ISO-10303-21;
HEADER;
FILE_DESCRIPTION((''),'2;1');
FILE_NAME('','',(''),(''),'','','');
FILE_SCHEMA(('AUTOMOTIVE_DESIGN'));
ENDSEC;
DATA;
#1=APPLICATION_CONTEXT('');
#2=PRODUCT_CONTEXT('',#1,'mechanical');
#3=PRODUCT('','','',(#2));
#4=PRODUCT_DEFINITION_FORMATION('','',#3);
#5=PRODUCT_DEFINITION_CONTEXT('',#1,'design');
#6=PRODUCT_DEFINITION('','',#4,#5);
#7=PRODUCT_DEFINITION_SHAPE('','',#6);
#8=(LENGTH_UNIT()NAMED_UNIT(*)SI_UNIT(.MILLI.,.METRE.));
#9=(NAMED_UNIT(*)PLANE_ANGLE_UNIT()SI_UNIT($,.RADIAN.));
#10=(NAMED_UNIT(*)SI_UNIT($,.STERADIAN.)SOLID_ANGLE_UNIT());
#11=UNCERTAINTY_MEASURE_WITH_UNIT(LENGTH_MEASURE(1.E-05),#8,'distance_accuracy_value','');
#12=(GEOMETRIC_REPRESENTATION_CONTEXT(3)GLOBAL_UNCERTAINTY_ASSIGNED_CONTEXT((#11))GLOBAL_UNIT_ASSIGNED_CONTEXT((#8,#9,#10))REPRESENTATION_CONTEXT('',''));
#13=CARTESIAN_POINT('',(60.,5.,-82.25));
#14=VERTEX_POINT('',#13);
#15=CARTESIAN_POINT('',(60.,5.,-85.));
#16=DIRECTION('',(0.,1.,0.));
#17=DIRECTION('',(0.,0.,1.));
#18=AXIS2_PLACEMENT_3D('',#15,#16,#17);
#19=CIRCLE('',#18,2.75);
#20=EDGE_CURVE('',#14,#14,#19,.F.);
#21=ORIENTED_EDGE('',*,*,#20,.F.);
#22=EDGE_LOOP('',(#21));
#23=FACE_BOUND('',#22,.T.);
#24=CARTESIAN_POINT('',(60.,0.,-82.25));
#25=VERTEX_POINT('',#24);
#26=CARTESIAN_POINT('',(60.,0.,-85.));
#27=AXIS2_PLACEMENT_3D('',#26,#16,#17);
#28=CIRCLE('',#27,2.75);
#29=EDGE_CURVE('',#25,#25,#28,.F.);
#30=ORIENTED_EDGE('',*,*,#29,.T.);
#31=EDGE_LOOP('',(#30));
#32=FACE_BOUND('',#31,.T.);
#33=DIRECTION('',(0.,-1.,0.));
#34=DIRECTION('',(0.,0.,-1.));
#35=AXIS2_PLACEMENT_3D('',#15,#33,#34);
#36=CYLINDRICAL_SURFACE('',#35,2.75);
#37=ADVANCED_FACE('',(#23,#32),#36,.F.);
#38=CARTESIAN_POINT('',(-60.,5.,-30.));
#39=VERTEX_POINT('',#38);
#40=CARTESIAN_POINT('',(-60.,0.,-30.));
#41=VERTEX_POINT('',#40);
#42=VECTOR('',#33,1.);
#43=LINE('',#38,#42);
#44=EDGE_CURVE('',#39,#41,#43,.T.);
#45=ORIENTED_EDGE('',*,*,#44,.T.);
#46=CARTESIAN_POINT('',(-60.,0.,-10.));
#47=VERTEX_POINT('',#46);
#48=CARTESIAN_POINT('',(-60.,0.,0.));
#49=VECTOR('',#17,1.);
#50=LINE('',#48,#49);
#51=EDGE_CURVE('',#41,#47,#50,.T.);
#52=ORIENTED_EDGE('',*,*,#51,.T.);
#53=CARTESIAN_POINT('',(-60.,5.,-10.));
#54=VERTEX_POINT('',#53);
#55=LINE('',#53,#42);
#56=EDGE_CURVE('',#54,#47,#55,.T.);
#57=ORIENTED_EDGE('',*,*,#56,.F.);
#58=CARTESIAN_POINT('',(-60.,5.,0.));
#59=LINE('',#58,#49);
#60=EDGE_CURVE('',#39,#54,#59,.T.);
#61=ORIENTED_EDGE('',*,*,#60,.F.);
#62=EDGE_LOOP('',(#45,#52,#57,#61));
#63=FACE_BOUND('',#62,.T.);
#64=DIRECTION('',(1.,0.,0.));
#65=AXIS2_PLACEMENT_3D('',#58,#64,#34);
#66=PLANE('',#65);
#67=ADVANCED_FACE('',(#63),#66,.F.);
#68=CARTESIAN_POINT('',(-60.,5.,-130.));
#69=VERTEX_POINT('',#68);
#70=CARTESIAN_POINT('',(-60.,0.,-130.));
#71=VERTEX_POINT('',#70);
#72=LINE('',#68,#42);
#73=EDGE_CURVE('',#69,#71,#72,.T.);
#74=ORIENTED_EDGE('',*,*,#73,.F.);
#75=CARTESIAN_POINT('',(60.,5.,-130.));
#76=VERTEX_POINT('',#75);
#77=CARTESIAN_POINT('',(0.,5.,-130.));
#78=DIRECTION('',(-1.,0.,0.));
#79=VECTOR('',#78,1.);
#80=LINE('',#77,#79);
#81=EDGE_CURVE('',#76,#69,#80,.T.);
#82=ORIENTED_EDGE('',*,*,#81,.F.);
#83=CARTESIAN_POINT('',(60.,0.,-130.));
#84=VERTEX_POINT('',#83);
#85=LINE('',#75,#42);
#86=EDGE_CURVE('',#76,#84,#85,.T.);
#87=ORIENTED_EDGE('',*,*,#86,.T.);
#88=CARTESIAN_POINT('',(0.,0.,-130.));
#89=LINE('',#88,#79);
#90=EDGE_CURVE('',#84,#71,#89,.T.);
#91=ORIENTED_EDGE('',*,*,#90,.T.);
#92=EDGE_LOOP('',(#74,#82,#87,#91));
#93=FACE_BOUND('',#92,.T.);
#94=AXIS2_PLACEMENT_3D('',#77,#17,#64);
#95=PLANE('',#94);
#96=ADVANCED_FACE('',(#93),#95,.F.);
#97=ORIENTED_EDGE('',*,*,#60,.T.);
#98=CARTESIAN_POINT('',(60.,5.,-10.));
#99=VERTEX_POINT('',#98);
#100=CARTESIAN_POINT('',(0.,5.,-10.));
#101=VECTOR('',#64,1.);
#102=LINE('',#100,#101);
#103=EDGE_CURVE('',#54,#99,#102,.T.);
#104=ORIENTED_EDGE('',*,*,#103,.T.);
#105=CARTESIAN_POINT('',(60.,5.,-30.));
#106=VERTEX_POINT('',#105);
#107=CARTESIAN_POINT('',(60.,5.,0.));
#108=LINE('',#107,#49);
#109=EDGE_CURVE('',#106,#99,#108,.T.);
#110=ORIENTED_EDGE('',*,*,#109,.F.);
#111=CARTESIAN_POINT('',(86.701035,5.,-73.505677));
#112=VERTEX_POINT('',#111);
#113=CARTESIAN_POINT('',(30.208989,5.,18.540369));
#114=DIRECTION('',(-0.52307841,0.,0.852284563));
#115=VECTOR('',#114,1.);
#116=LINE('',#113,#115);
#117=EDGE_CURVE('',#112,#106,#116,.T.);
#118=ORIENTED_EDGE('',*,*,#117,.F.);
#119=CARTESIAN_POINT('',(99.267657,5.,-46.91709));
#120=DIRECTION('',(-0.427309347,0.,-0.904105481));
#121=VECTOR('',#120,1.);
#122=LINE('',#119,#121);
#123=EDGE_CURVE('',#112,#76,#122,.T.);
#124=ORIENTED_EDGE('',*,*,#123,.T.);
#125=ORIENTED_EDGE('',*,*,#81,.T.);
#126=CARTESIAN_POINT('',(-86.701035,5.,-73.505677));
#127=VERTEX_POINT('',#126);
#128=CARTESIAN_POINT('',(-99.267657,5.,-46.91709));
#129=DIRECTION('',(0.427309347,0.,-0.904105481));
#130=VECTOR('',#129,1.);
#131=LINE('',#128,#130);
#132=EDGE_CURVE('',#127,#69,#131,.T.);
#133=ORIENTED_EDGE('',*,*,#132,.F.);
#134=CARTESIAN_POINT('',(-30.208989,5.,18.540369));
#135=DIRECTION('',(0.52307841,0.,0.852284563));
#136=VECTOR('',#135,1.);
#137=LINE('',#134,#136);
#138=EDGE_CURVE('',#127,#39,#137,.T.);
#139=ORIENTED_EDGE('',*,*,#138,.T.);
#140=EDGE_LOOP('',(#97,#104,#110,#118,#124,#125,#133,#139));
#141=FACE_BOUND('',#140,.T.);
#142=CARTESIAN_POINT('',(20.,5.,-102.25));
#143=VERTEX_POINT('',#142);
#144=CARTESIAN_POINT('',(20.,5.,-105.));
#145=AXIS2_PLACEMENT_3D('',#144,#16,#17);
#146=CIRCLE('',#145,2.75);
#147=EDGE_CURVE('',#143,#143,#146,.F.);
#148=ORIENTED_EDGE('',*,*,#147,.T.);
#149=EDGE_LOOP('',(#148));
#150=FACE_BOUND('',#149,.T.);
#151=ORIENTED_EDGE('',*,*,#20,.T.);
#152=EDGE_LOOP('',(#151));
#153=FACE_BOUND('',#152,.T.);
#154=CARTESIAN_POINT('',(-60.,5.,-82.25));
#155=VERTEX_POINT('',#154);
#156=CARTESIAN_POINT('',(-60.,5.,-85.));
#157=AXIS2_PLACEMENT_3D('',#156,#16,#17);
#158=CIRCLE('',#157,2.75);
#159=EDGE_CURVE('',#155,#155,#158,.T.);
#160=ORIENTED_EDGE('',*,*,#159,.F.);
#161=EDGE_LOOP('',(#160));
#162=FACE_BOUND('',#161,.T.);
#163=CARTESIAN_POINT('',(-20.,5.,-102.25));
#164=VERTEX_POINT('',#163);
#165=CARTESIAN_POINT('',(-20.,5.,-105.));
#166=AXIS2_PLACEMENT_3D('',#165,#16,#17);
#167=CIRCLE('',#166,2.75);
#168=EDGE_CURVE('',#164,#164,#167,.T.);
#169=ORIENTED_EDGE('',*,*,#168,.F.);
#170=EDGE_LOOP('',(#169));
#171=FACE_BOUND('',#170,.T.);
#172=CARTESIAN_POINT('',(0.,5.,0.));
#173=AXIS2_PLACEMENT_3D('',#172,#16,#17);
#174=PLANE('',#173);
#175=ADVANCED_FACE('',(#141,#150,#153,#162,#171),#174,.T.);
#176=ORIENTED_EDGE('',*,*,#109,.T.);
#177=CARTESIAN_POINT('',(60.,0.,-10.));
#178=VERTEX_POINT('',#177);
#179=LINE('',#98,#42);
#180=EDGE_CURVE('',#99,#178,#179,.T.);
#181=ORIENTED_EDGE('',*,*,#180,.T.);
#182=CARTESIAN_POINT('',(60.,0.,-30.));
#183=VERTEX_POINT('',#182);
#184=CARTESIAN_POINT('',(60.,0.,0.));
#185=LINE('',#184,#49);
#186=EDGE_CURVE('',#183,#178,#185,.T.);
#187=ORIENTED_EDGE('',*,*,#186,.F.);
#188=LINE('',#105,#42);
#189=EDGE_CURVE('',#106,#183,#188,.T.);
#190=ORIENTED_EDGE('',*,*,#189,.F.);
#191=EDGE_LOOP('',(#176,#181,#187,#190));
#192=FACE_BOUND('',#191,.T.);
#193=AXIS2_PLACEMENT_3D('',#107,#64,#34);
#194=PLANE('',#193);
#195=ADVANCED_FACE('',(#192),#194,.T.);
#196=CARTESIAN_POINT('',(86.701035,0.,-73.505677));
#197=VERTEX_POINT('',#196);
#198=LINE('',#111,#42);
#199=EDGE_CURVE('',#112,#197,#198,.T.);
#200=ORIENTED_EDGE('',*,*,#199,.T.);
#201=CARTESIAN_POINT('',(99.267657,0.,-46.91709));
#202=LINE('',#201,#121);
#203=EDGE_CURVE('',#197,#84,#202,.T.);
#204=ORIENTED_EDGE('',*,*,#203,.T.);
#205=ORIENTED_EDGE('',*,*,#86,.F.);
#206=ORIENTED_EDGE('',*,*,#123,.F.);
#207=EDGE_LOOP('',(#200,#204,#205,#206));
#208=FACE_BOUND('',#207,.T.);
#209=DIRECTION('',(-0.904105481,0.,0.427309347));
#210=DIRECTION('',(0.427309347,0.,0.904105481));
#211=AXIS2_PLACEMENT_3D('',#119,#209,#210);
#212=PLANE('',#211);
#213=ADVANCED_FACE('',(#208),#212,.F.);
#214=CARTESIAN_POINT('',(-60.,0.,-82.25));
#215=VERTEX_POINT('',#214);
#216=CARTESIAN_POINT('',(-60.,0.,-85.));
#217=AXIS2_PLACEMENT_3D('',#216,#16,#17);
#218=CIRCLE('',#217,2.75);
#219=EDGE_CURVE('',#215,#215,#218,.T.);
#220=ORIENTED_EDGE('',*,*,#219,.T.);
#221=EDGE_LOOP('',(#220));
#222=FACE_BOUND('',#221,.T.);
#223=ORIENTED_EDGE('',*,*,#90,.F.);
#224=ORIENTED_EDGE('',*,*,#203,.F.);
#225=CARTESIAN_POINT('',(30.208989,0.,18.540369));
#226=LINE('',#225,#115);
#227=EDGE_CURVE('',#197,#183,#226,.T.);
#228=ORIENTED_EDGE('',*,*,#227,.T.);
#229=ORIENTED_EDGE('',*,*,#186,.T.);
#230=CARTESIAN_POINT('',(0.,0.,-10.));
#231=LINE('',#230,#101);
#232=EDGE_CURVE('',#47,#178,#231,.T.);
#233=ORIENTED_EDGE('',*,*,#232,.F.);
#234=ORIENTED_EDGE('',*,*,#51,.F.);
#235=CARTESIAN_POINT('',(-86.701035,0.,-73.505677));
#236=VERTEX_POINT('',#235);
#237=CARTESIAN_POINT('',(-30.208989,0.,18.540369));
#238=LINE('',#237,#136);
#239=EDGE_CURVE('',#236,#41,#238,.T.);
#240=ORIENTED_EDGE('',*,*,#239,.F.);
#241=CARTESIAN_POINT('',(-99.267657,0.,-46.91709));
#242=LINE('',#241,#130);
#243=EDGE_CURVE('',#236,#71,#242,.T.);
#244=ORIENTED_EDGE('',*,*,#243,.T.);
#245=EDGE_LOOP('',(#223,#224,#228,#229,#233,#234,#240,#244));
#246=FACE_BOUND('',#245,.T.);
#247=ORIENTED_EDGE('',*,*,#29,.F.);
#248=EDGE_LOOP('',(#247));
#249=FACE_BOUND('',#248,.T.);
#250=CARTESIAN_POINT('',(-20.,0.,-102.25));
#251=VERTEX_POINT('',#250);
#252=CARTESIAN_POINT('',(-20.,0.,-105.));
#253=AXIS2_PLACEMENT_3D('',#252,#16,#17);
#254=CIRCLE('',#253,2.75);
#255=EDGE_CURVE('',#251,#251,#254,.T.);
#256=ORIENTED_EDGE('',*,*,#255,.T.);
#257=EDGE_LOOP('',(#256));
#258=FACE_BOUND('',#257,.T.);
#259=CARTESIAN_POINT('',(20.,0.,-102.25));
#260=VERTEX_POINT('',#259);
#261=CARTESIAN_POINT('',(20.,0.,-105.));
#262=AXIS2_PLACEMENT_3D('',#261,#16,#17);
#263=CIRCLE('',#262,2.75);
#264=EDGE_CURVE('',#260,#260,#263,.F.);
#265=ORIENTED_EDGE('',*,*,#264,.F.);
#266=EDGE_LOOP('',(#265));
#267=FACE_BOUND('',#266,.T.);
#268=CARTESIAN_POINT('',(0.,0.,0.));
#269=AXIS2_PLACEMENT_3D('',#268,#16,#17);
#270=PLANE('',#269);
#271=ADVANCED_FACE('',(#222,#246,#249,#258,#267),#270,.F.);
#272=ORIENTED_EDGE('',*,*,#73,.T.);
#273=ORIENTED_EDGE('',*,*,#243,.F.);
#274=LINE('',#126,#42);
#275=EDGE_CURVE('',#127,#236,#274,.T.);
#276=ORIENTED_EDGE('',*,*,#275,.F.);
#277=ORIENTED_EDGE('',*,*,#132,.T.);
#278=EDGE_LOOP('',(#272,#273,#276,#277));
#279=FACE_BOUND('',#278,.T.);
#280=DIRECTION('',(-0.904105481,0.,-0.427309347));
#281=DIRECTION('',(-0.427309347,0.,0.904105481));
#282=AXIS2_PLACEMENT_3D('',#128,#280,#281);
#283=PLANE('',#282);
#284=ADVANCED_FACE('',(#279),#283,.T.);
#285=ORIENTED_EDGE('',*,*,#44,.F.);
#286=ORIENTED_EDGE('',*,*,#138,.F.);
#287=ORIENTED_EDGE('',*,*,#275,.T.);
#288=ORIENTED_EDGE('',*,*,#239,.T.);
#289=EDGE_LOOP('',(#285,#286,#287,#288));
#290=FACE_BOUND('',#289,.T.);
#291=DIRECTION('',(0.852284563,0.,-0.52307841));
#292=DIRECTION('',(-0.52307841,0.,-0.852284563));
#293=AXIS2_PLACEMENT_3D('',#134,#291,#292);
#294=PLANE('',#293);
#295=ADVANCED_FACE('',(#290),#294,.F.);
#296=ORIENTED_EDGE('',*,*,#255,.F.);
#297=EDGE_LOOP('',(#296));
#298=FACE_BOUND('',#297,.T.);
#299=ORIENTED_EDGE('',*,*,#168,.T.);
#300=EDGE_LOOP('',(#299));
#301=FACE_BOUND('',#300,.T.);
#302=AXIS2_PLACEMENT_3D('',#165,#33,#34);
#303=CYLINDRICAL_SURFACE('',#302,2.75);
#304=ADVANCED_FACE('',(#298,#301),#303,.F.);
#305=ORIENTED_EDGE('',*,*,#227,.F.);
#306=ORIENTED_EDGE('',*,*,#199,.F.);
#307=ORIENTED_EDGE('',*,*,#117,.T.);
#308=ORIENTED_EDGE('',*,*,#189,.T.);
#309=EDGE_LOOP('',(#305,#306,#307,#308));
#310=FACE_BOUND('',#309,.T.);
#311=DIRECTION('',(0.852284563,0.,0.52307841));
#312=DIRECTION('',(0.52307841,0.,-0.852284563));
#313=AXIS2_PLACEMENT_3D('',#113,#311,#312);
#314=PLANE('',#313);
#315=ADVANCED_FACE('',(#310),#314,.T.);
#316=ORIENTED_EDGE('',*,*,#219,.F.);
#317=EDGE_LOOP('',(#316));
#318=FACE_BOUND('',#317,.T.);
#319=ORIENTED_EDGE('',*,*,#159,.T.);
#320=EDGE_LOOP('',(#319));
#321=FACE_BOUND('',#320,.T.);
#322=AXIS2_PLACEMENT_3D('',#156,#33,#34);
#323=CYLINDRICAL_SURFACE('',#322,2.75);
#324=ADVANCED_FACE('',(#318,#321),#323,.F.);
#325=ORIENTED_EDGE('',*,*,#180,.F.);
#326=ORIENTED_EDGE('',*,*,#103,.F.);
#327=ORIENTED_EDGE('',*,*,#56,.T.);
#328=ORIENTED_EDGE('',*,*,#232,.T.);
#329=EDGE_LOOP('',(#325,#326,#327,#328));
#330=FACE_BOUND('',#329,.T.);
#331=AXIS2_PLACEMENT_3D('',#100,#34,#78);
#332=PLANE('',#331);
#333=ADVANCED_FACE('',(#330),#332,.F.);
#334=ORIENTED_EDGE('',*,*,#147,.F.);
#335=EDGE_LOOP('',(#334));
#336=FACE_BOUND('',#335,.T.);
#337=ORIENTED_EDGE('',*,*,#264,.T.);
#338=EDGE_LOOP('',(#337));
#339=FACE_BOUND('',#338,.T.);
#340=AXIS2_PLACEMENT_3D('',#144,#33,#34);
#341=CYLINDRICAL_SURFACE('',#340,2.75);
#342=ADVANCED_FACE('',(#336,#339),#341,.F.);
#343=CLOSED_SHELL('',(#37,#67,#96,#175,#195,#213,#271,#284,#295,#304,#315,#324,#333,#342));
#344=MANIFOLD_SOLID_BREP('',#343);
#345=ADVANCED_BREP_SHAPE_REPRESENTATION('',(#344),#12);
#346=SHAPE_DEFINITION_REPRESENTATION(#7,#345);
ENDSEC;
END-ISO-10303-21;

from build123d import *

# Parameters (mm, degrees)
SKETCH2_R           = 2.75
SKETCH2_W           = 60
SKETCH2_H           = 20
BOSS_EXTRUDE1_DEPTH = 5


with BuildPart() as part:
    # Sketch2 → Boss-Extrude1 (new body)
    with BuildSketch(Plane(origin=(0, 0, 0), x_dir=(1, 0, 0), z_dir=(0, 1, 0))):
        Polygon((-60, 30), (0, 30), (0, 130), (-20, 130), (-60, 130), (-86.701035329, 73.505676753), align=None)
        with Locations((-60, 85)):
            Circle(SKETCH2_R, mode=Mode.SUBTRACT)
        with Locations((-20, 105)):
            Circle(SKETCH2_R, mode=Mode.SUBTRACT)
        Polygon((0, 130), (0, 30), (60, 30), (86.701035329, 73.505676753), (60, 130), (20, 130), align=None)
        with Locations((60, 85)):
            Circle(SKETCH2_R, mode=Mode.SUBTRACT)
        with Locations((20, 105)):
            Circle(SKETCH2_R, mode=Mode.SUBTRACT)
        with Locations((-30, 20)):
            Rectangle(SKETCH2_W, SKETCH2_H)
        with Locations((30, 20)):
            Rectangle(SKETCH2_W, SKETCH2_H)
    extrude(amount=BOSS_EXTRUDE1_DEPTH)


solid = part.part
